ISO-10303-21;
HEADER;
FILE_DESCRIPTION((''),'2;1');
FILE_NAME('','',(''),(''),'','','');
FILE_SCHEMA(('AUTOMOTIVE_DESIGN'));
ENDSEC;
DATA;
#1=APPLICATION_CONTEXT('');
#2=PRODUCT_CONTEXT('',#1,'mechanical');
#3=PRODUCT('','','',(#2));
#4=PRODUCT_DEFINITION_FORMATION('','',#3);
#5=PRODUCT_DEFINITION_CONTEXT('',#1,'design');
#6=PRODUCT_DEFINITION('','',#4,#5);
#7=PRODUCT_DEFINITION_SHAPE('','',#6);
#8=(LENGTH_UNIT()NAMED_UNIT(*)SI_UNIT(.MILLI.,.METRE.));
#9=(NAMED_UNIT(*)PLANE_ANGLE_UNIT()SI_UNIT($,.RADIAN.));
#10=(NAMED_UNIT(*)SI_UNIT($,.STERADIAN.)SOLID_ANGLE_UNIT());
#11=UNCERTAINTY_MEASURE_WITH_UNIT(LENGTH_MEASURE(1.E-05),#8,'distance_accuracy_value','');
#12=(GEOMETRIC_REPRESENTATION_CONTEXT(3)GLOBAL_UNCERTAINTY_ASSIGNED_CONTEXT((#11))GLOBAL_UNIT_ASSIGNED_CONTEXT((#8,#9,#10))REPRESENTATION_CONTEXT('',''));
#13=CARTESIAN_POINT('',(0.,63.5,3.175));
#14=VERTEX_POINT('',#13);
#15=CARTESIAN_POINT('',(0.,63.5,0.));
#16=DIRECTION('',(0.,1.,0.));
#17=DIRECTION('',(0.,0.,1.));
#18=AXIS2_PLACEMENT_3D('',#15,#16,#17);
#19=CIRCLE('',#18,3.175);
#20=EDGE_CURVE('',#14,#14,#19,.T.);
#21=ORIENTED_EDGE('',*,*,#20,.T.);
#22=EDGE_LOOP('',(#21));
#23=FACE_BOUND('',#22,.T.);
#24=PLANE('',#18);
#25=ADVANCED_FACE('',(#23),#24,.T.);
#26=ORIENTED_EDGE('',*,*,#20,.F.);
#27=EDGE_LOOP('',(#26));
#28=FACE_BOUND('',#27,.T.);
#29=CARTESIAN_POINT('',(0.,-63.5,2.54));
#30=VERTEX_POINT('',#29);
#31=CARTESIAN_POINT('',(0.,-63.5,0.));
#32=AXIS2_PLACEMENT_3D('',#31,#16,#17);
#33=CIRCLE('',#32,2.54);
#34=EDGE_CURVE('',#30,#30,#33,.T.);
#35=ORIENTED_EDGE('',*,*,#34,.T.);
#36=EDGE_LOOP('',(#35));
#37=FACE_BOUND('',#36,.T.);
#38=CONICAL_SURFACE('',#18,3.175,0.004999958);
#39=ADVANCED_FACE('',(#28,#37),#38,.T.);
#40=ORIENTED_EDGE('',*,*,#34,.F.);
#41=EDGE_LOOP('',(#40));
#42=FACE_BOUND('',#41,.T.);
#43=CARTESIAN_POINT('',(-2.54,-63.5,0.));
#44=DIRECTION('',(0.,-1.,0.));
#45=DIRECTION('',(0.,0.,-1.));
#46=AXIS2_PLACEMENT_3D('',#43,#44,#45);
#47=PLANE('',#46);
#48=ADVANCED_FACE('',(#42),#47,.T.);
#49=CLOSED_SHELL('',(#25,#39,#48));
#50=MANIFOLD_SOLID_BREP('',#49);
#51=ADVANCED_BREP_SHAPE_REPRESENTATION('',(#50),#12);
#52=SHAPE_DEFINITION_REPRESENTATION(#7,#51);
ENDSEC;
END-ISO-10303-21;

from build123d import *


with BuildPart() as part:
    # Sketch1 → Revolve1 (revolve)
    with BuildSketch(Plane.XY, mode=Mode.PRIVATE) as revolve1_sk:
        Polygon((0, 63.5), (0, -63.5), (-2.54, -63.5), (-3.175, 63.5), align=None)
    revolve(revolve1_sk.sketch.rotate(Axis((0, 63.5, 0), (0, -1, 0)), 270), axis=Axis((0, 63.5, 0), (0, -1, 0)))


solid = part.part
